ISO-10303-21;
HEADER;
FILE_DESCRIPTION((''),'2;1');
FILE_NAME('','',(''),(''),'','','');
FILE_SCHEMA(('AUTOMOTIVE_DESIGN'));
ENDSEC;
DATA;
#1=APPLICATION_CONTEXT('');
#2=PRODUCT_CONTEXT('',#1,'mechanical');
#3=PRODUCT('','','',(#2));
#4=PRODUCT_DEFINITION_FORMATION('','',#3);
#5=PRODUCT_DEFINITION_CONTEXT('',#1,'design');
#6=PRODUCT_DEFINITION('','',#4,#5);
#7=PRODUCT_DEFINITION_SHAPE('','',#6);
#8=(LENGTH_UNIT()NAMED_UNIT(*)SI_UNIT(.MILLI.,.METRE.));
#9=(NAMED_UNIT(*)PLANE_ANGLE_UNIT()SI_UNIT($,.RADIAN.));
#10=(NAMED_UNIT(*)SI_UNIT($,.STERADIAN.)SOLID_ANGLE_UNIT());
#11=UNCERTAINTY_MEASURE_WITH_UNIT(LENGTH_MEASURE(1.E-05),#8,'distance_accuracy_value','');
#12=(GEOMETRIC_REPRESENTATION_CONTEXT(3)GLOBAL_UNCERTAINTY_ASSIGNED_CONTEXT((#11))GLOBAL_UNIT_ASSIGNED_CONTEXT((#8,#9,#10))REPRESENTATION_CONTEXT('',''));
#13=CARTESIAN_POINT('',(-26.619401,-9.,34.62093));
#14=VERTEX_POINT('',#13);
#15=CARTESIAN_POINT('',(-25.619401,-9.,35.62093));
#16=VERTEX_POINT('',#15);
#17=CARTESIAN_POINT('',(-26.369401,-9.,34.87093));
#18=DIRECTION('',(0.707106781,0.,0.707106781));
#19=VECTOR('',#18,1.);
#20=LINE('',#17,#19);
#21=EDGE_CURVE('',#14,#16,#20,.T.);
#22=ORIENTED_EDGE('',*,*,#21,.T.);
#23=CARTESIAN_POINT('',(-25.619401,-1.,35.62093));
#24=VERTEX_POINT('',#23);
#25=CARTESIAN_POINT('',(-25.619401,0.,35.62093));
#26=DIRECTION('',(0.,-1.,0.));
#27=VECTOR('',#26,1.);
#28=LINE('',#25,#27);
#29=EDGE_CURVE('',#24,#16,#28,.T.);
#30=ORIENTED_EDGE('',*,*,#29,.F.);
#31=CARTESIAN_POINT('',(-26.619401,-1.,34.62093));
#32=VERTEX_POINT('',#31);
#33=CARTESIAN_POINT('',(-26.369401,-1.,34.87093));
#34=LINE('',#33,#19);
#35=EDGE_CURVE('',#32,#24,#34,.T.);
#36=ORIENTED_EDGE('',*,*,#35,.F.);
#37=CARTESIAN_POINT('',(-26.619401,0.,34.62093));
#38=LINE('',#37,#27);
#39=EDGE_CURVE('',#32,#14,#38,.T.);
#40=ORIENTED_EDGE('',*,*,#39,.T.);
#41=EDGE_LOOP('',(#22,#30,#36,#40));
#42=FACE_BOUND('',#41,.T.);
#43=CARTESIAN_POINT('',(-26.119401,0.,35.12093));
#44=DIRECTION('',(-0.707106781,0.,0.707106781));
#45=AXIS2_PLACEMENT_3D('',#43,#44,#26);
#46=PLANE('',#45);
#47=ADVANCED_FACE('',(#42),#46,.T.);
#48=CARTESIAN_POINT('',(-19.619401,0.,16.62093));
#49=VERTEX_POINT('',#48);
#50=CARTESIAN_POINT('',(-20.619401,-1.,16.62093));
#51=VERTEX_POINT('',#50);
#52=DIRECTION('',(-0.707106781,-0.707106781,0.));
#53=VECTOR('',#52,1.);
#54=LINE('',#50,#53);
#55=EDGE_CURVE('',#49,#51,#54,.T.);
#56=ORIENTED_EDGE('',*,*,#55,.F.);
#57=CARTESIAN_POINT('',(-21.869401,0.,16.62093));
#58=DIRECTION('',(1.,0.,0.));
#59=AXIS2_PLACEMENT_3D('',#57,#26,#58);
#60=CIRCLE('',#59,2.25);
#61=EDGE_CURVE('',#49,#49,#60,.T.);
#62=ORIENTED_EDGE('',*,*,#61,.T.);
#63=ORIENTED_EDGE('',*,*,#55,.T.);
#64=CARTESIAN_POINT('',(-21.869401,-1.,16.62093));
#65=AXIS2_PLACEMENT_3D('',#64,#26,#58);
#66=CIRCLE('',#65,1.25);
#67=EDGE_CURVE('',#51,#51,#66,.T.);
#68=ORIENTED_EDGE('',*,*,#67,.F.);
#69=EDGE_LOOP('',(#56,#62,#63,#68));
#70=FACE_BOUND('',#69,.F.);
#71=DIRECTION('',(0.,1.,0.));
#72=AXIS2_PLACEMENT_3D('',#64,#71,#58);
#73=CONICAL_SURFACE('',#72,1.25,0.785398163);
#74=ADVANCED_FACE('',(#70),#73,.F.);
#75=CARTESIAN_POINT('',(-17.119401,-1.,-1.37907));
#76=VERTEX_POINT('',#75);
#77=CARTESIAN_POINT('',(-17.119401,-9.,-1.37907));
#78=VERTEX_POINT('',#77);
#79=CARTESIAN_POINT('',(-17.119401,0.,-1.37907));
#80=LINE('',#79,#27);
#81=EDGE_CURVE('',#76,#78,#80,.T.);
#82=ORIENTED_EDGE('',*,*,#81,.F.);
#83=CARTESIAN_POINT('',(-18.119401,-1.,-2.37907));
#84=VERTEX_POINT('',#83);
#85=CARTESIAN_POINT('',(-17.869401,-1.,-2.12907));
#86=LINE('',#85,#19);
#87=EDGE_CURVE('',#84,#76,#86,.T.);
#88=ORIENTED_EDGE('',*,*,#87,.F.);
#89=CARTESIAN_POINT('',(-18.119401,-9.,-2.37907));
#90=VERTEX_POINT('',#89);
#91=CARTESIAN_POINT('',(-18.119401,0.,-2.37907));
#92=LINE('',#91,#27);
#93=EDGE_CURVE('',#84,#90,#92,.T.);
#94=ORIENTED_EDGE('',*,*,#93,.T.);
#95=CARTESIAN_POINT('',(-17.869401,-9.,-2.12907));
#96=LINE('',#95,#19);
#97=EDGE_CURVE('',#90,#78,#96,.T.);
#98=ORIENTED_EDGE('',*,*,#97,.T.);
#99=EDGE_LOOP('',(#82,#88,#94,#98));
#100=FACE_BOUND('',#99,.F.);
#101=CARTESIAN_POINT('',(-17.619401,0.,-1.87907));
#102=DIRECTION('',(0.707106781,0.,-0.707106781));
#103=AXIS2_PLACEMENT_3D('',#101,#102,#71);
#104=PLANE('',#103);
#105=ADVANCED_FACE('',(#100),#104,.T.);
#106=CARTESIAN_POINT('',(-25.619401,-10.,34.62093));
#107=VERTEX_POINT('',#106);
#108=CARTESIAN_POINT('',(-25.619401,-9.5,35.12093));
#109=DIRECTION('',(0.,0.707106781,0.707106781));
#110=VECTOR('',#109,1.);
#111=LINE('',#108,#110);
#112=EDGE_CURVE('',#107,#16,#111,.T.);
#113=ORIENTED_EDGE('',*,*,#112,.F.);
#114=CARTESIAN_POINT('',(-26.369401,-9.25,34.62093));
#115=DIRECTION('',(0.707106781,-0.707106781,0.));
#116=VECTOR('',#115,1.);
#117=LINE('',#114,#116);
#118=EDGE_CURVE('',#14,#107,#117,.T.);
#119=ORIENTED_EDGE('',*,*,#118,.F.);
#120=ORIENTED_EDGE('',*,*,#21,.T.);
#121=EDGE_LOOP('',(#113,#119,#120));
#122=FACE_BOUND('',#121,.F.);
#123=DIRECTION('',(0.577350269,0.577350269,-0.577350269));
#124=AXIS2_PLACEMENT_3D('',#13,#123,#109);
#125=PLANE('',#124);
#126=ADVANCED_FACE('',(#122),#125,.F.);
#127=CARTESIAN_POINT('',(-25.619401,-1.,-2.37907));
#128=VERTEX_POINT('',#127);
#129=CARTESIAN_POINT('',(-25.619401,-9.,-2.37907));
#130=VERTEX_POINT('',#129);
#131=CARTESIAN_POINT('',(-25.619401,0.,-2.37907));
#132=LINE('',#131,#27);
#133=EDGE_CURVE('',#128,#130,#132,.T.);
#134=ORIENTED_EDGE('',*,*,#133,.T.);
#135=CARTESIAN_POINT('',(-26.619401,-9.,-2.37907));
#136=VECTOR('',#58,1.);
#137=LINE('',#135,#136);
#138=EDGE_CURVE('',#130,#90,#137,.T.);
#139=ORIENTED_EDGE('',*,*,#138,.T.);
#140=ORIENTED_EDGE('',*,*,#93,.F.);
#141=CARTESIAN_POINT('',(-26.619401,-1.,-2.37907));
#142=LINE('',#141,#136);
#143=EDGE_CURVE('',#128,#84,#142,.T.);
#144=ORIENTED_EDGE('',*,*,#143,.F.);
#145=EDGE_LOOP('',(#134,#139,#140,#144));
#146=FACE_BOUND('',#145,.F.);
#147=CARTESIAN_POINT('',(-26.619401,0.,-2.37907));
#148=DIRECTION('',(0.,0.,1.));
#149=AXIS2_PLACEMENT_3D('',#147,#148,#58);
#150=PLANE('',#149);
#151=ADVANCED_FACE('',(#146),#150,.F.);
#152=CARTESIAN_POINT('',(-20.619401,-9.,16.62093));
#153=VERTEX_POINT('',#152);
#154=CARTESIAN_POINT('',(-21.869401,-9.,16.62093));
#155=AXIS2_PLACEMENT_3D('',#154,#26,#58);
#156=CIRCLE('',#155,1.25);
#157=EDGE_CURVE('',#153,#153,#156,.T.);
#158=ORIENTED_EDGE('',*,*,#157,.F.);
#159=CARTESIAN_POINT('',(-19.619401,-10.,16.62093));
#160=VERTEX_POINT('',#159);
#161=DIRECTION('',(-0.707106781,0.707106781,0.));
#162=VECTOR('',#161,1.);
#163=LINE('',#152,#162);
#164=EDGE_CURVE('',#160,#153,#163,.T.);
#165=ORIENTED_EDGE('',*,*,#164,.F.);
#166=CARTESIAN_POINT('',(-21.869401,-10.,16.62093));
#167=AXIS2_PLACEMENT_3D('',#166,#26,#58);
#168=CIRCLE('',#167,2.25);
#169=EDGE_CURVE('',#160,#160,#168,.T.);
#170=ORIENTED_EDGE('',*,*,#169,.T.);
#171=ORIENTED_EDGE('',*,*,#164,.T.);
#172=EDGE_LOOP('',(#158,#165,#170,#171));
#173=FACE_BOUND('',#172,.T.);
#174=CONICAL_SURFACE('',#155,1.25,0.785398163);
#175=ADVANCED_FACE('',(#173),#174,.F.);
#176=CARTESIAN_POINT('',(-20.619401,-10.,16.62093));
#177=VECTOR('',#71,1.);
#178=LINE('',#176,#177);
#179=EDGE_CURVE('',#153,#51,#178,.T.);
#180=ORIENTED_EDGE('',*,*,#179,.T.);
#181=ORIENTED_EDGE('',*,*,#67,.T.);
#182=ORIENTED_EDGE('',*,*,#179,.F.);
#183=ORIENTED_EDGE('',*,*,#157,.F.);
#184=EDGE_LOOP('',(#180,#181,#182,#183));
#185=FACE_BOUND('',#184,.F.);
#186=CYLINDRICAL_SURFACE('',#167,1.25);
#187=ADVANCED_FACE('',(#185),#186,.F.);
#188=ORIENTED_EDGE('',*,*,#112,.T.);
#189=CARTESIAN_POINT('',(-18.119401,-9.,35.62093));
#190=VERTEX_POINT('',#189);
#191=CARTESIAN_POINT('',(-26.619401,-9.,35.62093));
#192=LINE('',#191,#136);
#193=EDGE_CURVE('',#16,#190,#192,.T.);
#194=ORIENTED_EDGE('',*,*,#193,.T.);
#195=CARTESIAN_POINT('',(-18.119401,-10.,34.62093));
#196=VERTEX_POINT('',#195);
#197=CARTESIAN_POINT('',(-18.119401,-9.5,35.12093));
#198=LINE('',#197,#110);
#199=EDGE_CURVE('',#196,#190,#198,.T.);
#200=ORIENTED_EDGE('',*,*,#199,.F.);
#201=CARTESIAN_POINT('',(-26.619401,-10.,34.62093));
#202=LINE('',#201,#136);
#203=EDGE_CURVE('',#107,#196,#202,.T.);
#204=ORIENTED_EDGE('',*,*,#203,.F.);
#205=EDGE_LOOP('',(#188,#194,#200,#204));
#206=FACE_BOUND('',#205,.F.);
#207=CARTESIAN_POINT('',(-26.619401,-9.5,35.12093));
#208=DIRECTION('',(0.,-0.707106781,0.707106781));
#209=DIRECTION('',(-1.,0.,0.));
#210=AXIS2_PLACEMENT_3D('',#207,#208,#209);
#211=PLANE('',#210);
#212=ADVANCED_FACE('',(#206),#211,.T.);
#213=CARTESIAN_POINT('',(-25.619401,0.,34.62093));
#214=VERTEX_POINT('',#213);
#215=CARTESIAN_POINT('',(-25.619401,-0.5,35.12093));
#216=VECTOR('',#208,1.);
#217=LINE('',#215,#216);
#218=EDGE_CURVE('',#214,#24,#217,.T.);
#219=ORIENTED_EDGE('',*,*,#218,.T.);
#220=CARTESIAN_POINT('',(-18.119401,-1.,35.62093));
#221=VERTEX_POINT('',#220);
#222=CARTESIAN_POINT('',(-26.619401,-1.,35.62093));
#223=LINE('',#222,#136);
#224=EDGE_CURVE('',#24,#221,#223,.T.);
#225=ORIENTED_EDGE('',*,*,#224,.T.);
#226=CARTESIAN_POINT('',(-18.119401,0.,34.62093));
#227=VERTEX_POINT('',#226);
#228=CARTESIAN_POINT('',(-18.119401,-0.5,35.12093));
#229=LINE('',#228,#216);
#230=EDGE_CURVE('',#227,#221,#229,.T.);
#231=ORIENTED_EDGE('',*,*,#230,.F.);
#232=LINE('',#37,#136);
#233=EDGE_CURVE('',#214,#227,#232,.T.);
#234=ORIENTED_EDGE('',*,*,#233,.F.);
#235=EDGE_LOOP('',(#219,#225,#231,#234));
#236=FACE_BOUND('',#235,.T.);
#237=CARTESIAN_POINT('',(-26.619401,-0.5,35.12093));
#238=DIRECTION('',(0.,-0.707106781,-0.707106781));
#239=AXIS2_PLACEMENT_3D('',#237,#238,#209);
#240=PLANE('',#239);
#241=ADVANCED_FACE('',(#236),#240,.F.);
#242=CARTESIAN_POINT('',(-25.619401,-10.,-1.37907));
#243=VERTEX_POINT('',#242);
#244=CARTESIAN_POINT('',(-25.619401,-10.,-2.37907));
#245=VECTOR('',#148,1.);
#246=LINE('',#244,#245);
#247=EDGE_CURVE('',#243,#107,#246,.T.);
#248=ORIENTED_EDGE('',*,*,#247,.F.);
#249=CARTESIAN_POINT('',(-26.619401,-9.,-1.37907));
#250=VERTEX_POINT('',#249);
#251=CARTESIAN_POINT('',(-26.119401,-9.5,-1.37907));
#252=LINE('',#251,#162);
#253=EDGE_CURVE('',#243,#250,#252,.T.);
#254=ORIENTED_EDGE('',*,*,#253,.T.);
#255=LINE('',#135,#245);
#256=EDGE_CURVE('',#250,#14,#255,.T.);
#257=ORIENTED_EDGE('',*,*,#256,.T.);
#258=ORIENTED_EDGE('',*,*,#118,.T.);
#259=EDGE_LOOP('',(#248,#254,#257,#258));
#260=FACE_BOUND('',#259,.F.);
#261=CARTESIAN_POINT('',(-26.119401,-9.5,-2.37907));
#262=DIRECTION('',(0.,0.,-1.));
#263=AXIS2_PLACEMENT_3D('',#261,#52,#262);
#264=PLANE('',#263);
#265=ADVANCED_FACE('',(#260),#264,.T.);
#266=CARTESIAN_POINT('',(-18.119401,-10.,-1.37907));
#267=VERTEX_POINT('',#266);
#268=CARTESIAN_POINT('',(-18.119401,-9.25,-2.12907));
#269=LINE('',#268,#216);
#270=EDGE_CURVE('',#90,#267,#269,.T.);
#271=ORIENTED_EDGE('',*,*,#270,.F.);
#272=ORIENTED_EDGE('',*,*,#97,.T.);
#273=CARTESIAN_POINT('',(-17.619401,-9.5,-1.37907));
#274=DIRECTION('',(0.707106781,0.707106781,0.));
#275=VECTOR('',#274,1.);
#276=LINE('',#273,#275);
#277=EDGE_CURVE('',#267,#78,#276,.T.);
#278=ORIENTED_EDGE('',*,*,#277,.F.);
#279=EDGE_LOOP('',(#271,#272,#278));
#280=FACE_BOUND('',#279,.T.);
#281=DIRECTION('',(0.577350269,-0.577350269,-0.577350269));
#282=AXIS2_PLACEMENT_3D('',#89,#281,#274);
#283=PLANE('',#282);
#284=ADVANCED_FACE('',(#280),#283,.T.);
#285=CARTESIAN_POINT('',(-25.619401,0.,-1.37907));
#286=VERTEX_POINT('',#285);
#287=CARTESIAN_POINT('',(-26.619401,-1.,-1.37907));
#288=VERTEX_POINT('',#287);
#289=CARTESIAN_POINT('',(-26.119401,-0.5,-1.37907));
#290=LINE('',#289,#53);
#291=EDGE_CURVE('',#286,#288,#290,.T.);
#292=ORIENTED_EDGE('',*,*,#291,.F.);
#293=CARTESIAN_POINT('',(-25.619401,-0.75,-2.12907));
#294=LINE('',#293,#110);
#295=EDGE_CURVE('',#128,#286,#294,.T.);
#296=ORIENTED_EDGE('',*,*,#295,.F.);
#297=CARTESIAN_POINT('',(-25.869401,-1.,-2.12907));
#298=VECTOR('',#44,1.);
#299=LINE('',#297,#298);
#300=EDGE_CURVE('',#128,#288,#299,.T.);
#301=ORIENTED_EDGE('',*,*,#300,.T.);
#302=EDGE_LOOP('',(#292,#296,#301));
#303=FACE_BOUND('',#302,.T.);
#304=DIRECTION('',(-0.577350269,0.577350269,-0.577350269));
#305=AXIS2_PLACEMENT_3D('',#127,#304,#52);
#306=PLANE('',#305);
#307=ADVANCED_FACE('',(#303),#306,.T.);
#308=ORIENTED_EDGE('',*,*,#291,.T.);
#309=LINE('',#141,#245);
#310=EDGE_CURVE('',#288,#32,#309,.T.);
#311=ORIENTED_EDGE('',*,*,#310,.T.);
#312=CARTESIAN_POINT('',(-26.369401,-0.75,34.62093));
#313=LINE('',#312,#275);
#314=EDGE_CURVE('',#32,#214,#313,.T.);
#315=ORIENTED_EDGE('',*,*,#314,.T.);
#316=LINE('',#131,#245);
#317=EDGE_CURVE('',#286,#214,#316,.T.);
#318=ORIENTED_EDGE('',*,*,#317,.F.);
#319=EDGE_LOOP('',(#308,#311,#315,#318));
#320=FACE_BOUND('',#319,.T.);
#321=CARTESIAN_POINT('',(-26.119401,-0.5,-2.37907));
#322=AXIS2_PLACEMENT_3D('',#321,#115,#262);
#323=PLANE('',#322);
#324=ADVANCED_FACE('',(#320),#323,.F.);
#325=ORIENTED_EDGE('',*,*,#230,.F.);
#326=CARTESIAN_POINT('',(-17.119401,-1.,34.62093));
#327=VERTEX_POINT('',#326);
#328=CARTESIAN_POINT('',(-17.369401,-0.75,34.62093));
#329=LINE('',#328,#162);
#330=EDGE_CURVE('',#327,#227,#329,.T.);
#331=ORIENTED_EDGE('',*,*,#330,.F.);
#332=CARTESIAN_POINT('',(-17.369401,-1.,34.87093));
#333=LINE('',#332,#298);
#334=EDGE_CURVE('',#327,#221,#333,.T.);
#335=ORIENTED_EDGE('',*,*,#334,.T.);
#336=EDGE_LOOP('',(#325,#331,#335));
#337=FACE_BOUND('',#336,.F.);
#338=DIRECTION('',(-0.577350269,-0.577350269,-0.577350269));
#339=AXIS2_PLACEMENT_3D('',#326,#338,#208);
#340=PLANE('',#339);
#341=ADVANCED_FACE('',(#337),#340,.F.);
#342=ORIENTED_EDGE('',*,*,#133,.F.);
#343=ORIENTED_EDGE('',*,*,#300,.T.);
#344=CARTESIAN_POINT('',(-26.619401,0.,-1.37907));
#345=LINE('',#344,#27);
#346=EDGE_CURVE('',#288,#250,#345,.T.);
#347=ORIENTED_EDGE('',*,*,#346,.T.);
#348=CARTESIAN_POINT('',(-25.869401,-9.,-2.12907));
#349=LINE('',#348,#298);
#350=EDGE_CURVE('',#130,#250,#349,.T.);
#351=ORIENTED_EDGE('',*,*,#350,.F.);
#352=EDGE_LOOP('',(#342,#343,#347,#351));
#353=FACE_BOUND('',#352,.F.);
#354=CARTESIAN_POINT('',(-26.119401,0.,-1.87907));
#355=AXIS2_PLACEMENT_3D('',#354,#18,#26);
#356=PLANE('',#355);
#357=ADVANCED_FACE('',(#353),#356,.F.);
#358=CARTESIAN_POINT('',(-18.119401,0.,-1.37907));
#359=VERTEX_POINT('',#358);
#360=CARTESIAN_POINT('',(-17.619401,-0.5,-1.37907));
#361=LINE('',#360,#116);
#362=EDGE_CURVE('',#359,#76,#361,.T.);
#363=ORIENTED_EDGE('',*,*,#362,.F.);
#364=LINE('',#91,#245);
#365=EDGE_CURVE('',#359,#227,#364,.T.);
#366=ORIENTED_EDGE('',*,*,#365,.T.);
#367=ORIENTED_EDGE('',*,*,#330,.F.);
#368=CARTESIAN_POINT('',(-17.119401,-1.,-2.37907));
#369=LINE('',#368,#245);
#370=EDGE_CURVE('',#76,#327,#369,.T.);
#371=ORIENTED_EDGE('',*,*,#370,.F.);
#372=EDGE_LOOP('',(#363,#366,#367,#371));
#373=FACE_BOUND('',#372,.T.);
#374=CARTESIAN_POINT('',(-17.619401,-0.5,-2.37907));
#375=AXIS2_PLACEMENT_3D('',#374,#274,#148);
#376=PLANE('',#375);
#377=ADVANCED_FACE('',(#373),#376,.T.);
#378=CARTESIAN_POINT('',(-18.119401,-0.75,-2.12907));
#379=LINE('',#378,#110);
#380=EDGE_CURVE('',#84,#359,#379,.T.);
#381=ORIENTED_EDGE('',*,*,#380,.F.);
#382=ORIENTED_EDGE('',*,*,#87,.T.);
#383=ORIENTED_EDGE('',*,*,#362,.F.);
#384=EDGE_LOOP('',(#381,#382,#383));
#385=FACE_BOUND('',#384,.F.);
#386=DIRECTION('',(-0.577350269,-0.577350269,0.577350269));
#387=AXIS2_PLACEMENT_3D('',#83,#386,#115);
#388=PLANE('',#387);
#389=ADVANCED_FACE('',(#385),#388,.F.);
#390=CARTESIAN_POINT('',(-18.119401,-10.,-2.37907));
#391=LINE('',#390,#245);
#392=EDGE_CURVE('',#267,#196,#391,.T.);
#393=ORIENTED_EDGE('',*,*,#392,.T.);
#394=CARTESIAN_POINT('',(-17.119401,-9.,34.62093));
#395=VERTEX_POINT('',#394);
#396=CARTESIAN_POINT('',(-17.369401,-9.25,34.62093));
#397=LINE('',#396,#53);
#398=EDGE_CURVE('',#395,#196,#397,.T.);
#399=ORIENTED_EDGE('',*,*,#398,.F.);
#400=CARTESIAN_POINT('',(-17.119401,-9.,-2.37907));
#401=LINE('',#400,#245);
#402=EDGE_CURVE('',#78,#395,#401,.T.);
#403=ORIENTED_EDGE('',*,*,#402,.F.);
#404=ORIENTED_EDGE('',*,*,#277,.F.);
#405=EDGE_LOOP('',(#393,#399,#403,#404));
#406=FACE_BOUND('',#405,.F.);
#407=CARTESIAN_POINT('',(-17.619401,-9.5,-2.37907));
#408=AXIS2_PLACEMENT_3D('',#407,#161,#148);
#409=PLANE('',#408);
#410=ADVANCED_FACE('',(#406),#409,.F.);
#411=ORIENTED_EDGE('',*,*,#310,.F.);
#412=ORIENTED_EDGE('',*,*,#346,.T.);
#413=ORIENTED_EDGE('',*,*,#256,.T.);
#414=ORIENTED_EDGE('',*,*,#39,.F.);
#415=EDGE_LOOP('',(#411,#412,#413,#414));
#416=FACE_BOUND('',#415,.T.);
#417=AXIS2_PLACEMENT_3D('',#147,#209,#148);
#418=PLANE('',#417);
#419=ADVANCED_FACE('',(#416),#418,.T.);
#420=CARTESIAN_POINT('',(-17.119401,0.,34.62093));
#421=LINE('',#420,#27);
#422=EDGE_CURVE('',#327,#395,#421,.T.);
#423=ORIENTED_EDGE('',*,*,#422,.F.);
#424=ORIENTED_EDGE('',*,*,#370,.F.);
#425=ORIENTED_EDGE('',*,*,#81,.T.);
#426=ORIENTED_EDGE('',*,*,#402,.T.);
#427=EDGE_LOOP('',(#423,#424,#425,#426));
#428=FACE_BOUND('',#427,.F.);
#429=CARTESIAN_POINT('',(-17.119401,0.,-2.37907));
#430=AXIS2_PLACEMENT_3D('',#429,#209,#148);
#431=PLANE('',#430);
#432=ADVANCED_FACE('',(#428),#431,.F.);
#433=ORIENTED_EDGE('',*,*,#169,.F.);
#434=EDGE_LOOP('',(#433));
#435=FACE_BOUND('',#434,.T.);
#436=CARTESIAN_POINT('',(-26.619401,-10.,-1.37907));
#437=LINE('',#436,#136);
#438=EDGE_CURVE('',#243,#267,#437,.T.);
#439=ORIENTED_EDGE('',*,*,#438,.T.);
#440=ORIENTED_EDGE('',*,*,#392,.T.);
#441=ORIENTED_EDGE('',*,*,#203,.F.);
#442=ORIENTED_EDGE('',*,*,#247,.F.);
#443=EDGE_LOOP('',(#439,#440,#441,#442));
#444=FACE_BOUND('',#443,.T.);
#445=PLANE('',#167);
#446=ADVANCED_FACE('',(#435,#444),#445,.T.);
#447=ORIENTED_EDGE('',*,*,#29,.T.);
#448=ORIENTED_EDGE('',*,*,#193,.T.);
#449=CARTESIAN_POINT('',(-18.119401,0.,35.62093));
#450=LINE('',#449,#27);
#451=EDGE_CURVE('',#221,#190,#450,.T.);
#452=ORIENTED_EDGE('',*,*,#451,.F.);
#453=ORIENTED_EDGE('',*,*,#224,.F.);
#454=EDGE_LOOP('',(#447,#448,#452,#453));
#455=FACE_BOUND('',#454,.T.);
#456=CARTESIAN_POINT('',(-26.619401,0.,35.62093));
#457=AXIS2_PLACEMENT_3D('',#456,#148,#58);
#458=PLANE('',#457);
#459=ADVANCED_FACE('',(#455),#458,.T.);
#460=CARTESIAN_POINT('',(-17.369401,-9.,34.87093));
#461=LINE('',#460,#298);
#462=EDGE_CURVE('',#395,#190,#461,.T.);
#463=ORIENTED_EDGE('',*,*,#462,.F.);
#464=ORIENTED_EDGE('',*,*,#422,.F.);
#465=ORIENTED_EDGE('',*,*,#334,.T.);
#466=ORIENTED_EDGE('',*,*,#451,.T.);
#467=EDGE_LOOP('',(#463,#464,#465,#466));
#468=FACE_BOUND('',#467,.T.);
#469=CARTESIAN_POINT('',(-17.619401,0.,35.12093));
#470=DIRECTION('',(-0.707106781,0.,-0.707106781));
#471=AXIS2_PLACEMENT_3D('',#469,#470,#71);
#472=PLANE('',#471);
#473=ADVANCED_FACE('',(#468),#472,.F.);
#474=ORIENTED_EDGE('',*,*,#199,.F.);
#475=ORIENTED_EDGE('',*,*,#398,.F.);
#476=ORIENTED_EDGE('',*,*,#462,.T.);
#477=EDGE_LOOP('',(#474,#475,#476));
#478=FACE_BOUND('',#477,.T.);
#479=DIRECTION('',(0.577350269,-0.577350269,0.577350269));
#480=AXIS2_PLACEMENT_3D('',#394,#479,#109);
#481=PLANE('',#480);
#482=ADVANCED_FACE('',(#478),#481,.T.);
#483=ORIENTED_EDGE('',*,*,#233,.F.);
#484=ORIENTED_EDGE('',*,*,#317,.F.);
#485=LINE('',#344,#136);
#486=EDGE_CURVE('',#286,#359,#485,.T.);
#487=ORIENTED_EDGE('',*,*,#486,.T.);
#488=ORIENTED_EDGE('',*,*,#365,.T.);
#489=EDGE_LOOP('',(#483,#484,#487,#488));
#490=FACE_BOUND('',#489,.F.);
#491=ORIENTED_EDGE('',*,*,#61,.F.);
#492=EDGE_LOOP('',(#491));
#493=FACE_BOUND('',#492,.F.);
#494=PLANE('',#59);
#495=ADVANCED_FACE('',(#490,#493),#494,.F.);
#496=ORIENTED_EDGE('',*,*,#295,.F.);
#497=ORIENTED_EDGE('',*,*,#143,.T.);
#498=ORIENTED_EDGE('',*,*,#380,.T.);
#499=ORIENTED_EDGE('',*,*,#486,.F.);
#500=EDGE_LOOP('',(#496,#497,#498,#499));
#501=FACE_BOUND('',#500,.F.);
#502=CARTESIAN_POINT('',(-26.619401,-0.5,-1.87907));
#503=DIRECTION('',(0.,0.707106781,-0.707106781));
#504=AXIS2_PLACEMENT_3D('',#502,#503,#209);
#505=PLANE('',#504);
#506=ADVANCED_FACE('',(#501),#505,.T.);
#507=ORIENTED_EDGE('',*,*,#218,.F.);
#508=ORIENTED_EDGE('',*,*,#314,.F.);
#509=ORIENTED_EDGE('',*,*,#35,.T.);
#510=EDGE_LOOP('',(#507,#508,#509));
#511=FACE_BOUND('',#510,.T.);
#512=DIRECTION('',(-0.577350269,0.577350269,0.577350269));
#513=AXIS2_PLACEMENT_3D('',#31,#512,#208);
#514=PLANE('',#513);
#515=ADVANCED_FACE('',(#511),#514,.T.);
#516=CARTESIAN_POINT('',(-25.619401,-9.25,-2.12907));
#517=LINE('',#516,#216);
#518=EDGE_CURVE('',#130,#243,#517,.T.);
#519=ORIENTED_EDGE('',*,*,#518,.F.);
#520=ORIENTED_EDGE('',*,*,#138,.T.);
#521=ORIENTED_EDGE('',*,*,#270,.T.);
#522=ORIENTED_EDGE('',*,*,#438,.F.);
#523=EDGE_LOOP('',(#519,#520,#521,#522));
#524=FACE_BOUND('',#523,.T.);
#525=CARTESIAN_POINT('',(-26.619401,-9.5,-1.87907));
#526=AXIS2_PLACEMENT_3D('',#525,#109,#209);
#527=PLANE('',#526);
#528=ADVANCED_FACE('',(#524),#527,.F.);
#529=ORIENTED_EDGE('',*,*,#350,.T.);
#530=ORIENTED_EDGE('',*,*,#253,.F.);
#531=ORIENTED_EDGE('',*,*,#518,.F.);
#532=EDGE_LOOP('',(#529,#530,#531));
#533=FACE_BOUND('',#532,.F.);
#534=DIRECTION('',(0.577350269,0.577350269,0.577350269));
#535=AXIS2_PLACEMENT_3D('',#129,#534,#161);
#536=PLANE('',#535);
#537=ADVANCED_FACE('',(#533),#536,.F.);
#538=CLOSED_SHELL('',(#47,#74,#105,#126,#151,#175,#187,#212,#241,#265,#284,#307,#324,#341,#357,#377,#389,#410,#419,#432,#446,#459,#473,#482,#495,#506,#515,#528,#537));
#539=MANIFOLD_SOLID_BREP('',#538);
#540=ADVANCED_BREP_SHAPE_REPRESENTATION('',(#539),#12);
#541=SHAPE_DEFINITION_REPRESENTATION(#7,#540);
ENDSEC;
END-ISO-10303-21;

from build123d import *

# Parameters (mm, degrees)
F0_W     = 9.5
F0_H     = 38
F1_DEPTH = 10
F2_R     = 1.25
F3_DEPTH = 25
F4_SIZE  = 1


with BuildPart() as f1:
    # F0 (on Front) → F1 (new body)
    with BuildSketch(Plane.XZ):
        with Locations((-21.8694014475, 16.620930075)):
            Rectangle(F0_W, F0_H)
    extrude(amount=F1_DEPTH)

    # F2 (on face) → F3 (cut)
    with BuildSketch(Plane.XZ.offset(10)):
        with Locations((-21.8694014475, 16.620930075)):
            Circle(F2_R)
    extrude(amount=-F3_DEPTH, mode=Mode.SUBTRACT)

    # F4
    f4_edges = [f1.edges().sort_by_distance(p)[0] for p in [
        (-21.869401, -10, 35.62093),
        (-17.119401, -10, 16.62093),
        (-26.619401, -10, 16.62093),
        (-21.869401, -10, -2.37907),
        (-23.119401, -10, 16.62093),
        (-21.869401, 0, 35.62093),
        (-17.119401, 0, 16.62093),
        (-26.619401, 0, 16.62093),
        (-21.869401, 0, -2.37907),
        (-23.119401, 0, 16.62093),
        (-26.619401, -5, 35.62093),
        (-26.619401, -5, -2.37907),
        (-17.119401, -5, -2.37907),
        (-17.119401, -5, 35.62093),
    ]]
    chamfer(f4_edges, length=F4_SIZE)


solid = f1.part
